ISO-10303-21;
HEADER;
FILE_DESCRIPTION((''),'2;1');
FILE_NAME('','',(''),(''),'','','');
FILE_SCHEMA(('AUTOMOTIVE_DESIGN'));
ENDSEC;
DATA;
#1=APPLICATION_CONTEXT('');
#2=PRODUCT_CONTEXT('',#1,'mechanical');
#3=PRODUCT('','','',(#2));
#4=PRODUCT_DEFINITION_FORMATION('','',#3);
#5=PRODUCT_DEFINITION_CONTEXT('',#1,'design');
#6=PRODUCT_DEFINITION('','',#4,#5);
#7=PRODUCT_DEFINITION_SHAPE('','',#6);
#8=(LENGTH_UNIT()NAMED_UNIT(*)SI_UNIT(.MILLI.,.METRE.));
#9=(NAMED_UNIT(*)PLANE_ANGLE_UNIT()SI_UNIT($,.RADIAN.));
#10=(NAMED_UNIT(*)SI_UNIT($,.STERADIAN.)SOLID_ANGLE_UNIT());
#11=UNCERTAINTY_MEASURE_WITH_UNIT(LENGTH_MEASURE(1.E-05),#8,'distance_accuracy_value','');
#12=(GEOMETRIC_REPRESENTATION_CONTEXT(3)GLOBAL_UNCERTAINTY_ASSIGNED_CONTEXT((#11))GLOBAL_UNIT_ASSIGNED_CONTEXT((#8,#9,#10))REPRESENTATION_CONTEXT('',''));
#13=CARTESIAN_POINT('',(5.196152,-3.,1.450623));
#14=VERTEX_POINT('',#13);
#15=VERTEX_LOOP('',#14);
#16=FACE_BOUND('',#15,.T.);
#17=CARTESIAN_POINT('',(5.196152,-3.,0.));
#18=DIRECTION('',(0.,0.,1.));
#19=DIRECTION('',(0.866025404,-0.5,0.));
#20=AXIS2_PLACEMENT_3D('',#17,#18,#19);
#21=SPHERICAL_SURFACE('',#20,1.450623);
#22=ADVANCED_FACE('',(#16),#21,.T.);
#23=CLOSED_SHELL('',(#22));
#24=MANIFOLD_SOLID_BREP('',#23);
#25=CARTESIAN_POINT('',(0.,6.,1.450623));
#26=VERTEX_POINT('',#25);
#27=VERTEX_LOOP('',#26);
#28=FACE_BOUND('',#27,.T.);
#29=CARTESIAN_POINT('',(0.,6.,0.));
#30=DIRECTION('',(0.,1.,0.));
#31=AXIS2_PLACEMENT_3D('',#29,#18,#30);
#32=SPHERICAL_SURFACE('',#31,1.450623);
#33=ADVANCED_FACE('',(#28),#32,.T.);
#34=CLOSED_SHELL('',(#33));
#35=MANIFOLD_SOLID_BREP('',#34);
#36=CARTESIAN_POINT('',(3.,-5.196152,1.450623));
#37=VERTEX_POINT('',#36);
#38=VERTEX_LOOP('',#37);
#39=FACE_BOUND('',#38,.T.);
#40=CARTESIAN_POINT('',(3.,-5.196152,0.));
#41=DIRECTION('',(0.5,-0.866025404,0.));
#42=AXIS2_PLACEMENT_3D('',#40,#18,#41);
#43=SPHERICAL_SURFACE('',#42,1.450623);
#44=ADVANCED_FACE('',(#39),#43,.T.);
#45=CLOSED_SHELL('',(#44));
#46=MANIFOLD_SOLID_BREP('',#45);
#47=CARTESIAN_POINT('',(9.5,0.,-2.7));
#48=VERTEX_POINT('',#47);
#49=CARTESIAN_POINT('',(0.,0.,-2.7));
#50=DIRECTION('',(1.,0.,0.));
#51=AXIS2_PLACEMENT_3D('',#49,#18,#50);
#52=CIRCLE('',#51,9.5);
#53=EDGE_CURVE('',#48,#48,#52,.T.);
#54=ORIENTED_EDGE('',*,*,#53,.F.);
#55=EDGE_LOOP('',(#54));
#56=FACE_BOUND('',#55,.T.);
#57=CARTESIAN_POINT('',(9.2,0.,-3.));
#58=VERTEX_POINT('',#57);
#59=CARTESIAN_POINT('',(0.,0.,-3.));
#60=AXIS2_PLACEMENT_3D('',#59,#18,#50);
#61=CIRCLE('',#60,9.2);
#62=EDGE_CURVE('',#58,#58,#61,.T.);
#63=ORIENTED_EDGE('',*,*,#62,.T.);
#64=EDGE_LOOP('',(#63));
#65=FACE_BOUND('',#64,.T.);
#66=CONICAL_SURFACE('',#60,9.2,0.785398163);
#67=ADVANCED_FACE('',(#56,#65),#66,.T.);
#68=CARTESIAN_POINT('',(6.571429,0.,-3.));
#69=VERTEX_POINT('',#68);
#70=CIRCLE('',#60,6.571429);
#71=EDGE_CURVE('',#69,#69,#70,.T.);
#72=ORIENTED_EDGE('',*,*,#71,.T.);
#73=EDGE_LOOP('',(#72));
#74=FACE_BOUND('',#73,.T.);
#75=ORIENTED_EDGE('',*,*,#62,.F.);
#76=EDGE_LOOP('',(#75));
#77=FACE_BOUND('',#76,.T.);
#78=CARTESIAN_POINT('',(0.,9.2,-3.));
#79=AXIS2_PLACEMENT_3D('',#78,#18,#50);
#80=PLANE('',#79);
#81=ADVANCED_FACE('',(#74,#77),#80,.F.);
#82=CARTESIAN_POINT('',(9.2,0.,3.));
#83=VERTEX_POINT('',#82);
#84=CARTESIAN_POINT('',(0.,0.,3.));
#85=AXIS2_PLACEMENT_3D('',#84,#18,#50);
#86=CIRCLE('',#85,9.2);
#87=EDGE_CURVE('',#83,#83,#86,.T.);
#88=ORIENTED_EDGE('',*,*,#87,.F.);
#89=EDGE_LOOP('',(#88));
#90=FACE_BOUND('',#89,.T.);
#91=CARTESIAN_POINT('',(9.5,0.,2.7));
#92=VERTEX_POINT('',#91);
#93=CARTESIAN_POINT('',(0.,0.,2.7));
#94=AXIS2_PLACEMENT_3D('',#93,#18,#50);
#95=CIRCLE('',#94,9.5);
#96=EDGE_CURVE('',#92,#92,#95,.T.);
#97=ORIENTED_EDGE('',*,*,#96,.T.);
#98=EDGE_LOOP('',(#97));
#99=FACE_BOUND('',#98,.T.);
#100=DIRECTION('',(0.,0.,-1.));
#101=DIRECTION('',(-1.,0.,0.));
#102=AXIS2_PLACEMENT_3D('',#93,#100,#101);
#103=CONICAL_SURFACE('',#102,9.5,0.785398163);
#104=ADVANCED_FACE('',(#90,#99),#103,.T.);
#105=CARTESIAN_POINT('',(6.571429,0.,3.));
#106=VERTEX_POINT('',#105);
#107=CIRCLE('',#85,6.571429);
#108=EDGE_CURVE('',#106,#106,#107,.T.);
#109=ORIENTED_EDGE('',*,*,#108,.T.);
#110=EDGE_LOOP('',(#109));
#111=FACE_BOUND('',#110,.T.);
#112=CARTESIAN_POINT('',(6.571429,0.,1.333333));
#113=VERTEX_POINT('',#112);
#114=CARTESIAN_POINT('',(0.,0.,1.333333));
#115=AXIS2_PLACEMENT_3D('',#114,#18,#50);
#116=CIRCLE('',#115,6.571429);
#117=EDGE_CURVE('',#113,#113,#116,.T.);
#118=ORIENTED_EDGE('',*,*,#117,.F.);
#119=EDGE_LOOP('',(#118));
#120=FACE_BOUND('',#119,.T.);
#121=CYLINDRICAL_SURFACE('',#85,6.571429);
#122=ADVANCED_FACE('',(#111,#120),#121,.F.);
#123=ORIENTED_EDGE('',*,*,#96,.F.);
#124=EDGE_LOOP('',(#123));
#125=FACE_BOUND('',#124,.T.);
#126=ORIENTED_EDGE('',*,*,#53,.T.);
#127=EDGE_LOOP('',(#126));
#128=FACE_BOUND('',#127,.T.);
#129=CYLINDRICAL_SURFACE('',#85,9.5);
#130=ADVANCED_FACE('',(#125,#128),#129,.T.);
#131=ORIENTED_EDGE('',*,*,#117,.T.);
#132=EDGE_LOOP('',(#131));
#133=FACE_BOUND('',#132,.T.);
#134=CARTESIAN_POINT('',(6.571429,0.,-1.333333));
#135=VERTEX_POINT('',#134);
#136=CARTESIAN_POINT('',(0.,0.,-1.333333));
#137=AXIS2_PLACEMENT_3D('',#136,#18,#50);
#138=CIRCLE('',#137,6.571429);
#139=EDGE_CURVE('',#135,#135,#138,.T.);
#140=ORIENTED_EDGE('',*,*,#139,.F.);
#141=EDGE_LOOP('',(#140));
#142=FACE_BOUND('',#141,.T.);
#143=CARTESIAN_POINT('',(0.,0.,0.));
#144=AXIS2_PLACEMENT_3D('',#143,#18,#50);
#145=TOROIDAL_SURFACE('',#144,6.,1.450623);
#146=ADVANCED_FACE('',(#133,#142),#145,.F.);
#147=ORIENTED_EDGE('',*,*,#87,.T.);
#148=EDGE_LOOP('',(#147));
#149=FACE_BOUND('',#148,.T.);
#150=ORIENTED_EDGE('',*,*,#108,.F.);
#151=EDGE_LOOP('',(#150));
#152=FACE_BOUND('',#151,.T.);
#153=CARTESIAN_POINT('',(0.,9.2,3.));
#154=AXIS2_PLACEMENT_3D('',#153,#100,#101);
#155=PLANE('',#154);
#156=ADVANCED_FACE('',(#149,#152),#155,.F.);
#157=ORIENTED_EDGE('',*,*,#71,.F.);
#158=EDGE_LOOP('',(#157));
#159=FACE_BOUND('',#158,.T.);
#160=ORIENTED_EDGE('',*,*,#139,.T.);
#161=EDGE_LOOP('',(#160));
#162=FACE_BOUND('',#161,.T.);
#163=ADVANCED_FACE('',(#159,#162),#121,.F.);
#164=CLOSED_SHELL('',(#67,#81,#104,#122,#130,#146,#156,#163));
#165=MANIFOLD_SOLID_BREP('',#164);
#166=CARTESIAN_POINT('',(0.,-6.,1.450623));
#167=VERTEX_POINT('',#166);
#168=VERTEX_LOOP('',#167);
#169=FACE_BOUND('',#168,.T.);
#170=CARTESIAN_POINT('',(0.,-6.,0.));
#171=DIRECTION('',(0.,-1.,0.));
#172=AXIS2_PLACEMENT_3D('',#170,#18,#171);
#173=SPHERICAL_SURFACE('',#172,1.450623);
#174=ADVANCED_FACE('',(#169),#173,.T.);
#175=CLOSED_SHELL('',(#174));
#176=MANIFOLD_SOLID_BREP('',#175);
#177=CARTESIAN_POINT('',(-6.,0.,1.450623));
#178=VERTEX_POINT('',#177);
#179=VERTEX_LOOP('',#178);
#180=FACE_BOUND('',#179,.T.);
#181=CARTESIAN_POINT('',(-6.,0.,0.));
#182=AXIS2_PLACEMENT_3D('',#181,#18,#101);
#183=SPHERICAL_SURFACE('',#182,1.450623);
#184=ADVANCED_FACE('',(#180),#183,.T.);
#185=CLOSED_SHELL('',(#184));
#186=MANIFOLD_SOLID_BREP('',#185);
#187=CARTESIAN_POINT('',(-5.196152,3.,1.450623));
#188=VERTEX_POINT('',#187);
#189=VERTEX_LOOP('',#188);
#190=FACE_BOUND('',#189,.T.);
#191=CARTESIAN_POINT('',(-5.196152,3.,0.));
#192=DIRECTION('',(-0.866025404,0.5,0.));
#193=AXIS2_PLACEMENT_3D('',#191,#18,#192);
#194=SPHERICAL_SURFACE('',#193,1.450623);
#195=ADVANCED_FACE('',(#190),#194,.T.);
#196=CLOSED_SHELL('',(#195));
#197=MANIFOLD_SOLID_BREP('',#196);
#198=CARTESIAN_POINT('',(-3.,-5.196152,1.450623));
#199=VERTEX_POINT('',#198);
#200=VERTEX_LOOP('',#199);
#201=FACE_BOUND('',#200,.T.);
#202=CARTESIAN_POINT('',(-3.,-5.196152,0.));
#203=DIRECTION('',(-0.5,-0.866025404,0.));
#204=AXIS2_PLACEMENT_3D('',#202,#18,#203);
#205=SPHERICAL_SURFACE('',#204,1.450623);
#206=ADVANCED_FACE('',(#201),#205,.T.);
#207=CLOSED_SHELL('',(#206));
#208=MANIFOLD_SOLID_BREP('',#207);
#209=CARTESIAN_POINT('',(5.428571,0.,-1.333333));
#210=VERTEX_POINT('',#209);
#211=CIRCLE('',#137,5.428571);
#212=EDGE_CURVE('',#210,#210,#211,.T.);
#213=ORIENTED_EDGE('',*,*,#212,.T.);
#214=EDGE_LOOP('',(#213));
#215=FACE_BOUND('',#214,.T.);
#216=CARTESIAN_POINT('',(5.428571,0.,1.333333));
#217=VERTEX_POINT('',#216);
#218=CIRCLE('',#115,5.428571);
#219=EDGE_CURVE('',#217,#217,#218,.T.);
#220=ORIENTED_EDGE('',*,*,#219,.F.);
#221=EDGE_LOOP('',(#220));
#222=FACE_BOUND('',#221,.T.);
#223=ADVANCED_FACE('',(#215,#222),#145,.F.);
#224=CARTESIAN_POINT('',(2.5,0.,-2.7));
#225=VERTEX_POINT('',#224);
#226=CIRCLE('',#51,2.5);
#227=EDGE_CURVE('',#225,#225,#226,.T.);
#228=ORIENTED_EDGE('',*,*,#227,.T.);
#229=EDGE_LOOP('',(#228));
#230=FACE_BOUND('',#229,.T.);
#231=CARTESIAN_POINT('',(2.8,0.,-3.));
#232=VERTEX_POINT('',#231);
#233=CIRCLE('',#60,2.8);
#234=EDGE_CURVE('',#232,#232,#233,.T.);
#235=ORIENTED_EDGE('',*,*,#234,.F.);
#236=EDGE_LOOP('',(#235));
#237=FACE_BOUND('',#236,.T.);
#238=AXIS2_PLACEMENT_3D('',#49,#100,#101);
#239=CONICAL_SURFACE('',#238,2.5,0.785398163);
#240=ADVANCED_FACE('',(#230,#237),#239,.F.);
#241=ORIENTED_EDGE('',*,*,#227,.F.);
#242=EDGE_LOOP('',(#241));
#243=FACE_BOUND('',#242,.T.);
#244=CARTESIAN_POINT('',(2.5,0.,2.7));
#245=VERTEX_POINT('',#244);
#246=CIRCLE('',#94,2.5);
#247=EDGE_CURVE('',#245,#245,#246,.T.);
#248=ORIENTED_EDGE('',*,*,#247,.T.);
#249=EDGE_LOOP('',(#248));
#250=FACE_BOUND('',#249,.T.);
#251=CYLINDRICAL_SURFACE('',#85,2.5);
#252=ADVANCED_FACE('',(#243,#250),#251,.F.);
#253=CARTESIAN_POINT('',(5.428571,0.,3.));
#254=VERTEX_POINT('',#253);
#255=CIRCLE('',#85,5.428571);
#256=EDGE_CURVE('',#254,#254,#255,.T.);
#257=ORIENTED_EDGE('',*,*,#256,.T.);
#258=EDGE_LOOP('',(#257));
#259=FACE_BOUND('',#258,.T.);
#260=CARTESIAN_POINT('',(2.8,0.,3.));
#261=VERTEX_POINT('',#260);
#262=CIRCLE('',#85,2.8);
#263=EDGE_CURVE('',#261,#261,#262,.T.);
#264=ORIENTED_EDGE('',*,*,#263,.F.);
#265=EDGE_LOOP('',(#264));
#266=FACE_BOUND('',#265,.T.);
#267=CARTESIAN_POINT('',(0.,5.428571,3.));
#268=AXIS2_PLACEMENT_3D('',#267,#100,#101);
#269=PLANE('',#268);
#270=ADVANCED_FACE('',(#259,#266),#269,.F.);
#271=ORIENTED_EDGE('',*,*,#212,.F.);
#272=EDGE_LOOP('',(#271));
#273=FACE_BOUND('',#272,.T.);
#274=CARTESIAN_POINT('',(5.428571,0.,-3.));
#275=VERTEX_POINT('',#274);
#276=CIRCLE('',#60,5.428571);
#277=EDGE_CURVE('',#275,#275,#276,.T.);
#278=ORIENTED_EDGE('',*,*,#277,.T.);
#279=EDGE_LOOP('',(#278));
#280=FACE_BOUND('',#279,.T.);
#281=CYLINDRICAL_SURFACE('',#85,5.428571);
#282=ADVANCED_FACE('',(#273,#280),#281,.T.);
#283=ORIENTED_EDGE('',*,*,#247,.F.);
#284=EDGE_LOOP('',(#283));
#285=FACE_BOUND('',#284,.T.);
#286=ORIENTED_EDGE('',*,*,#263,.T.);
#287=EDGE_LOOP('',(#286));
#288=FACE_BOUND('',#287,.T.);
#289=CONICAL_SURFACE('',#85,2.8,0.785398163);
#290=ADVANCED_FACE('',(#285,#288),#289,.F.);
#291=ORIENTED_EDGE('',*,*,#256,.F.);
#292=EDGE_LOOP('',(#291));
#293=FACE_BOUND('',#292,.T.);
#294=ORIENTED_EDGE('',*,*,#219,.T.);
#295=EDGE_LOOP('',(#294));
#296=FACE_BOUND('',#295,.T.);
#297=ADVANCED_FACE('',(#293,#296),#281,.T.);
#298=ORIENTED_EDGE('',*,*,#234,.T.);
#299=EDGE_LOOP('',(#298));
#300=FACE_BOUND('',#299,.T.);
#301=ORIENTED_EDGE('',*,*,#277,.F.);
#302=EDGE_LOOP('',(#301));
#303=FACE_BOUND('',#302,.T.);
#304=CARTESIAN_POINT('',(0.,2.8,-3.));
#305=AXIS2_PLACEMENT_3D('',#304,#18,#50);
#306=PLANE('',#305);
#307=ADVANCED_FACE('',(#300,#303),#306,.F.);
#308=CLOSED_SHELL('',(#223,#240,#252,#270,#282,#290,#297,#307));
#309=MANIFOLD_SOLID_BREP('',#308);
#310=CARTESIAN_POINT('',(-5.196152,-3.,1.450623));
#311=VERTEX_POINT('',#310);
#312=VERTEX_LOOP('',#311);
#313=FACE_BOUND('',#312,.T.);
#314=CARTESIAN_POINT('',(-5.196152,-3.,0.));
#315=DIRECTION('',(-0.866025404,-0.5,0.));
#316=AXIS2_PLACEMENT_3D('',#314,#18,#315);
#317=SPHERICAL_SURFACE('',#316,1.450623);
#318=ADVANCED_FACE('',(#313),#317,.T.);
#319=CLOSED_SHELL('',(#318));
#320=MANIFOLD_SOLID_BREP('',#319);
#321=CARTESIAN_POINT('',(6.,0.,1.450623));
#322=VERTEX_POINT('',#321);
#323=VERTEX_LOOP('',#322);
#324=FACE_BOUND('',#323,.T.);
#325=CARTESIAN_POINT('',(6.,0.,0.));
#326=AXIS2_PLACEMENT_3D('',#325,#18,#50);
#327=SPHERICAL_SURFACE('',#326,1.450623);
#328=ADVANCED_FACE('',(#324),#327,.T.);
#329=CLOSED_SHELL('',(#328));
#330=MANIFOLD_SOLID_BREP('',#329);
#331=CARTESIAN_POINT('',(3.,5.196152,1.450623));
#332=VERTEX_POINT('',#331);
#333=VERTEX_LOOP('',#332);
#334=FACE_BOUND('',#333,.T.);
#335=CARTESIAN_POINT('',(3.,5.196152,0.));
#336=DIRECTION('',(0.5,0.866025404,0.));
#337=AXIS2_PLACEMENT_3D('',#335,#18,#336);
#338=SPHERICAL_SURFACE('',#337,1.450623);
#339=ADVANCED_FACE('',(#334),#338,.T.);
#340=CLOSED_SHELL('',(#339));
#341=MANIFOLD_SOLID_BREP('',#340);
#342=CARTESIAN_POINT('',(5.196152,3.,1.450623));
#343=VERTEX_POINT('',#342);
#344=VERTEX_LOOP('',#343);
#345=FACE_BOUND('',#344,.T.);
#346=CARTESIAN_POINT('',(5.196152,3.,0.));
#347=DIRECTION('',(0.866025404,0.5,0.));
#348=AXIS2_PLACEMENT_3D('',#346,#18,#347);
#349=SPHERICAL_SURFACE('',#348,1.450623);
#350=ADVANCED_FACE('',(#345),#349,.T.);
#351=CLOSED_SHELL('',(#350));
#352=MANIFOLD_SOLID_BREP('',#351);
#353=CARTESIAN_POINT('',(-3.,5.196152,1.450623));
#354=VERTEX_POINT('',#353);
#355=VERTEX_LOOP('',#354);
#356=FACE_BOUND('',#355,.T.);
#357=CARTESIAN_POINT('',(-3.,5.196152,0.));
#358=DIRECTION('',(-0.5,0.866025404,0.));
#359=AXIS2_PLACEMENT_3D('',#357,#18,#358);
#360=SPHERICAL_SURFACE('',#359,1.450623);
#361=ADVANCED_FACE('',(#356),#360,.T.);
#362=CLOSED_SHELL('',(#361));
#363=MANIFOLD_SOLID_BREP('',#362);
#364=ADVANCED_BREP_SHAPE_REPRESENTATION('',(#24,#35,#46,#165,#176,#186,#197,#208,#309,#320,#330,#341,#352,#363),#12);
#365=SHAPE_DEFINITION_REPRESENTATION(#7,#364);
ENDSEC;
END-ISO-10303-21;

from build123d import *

# Parameters (mm, degrees)
CIRPATTERN1_COUNT = 12


with BuildPart() as part:
    # Sketch1 → Revolve1 (revolve)
    with BuildSketch(Plane(origin=(0, 0, 0), x_dir=(0, 0, -1), z_dir=(1, 0, 0)), mode=Mode.PRIVATE) as revolve1_sk:
        with BuildLine():
            Line((2.7, 9.5), (-2.7, 9.5))
            Line((-2.7, 9.5), (-3, 9.2))
            Line((-3, 9.2), (-3, 6.571428571))
            Line((-3, 6.571428571), (-1.333333333, 6.571428571))
            ThreePointArc((-1.333333333, 6.571428571), (0, 7.450623449), (1.333333333, 6.571428571))
            Line((1.333333333, 6.571428571), (3, 6.571428571))
            Line((3, 6.571428571), (3, 9.2))
            Line((3, 9.2), (2.7, 9.5))
        make_face()
    revolve(revolve1_sk.sketch.rotate(Axis((0, 0, 3), (0, 0, -1)), 90), axis=Axis((0, 0, 3), (0, 0, -1)))


with BuildPart() as body_2:
    # Sketch3 → Revolve3 (revolve)
    with BuildSketch(Plane(origin=(0, 0, 0), x_dir=(0, 0, -1), z_dir=(1, 0, 0)), mode=Mode.PRIVATE) as revolve3_sk:
        with BuildLine():
            Line((-3, 5.428571429), (-1.333333333, 5.428571429))
            ThreePointArc((-1.333333333, 5.428571429), (0, 4.549376551), (1.333333333, 5.428571429))
            Line((1.333333333, 5.428571429), (3, 5.428571429))
            Line((3, 5.428571429), (3, 2.8))
            Line((3, 2.8), (2.7, 2.5))
            Line((2.7, 2.5), (-2.7, 2.5))
            Line((-2.7, 2.5), (-3, 2.8))
            Line((-3, 2.8), (-3, 5.428571429))
        make_face()
    revolve(revolve3_sk.sketch.rotate(Axis((0, 0, 3), (0, 0, -1)), 90), axis=Axis((0, 0, 3), (0, 0, -1)))


with BuildPart() as body_3:
    # Sketch4 → Revolve4 (revolve)
    with BuildSketch(Plane(origin=(0, 0, 0), x_dir=(0, 0, -1), z_dir=(1, 0, 0))):
        with BuildLine():
            Line((-1.450623449, 6), (1.450623449, 6))
            ThreePointArc((1.450623449, 6), (0, 7.450623449), (-1.450623449, 6))
        make_face()
    revolve(axis=Axis((0, 6, 1.450623449), (0, 0, -1)))


with BuildPart() as cirpattern1_1:
    # CirPattern1: pattern copy
    add(body_3.part.rotate(Axis((0, 0, 0), (0, 0, 1)), 1 * 360 / CIRPATTERN1_COUNT))


with BuildPart() as cirpattern1_2:
    # CirPattern1: pattern copy
    add(body_3.part.rotate(Axis((0, 0, 0), (0, 0, 1)), 2 * 360 / CIRPATTERN1_COUNT))


with BuildPart() as cirpattern1_3:
    # CirPattern1: pattern copy
    add(body_3.part.rotate(Axis((0, 0, 0), (0, 0, 1)), 3 * 360 / CIRPATTERN1_COUNT))


with BuildPart() as cirpattern1_4:
    # CirPattern1: pattern copy
    add(body_3.part.rotate(Axis((0, 0, 0), (0, 0, 1)), 4 * 360 / CIRPATTERN1_COUNT))


with BuildPart() as cirpattern1_5:
    # CirPattern1: pattern copy
    add(body_3.part.rotate(Axis((0, 0, 0), (0, 0, 1)), 5 * 360 / CIRPATTERN1_COUNT))


with BuildPart() as cirpattern1_6:
    # CirPattern1: pattern copy
    add(body_3.part.rotate(Axis((0, 0, 0), (0, 0, 1)), 6 * 360 / CIRPATTERN1_COUNT))


with BuildPart() as cirpattern1_7:
    # CirPattern1: pattern copy
    add(body_3.part.rotate(Axis((0, 0, 0), (0, 0, 1)), 7 * 360 / CIRPATTERN1_COUNT))


with BuildPart() as cirpattern1_8:
    # CirPattern1: pattern copy
    add(body_3.part.rotate(Axis((0, 0, 0), (0, 0, 1)), 8 * 360 / CIRPATTERN1_COUNT))


with BuildPart() as cirpattern1_9:
    # CirPattern1: pattern copy
    add(body_3.part.rotate(Axis((0, 0, 0), (0, 0, 1)), 9 * 360 / CIRPATTERN1_COUNT))


with BuildPart() as cirpattern1_10:
    # CirPattern1: pattern copy
    add(body_3.part.rotate(Axis((0, 0, 0), (0, 0, 1)), 10 * 360 / CIRPATTERN1_COUNT))


with BuildPart() as cirpattern1_11:
    # CirPattern1: pattern copy
    add(body_3.part.rotate(Axis((0, 0, 0), (0, 0, 1)), 11 * 360 / CIRPATTERN1_COUNT))


solid = Compound([part.part, body_2.part, body_3.part, cirpattern1_1.part, cirpattern1_2.part, cirpattern1_3.part, cirpattern1_4.part, cirpattern1_5.part, cirpattern1_6.part, cirpattern1_7.part, cirpattern1_8.part, cirpattern1_9.part, cirpattern1_10.part, cirpattern1_11.part])
